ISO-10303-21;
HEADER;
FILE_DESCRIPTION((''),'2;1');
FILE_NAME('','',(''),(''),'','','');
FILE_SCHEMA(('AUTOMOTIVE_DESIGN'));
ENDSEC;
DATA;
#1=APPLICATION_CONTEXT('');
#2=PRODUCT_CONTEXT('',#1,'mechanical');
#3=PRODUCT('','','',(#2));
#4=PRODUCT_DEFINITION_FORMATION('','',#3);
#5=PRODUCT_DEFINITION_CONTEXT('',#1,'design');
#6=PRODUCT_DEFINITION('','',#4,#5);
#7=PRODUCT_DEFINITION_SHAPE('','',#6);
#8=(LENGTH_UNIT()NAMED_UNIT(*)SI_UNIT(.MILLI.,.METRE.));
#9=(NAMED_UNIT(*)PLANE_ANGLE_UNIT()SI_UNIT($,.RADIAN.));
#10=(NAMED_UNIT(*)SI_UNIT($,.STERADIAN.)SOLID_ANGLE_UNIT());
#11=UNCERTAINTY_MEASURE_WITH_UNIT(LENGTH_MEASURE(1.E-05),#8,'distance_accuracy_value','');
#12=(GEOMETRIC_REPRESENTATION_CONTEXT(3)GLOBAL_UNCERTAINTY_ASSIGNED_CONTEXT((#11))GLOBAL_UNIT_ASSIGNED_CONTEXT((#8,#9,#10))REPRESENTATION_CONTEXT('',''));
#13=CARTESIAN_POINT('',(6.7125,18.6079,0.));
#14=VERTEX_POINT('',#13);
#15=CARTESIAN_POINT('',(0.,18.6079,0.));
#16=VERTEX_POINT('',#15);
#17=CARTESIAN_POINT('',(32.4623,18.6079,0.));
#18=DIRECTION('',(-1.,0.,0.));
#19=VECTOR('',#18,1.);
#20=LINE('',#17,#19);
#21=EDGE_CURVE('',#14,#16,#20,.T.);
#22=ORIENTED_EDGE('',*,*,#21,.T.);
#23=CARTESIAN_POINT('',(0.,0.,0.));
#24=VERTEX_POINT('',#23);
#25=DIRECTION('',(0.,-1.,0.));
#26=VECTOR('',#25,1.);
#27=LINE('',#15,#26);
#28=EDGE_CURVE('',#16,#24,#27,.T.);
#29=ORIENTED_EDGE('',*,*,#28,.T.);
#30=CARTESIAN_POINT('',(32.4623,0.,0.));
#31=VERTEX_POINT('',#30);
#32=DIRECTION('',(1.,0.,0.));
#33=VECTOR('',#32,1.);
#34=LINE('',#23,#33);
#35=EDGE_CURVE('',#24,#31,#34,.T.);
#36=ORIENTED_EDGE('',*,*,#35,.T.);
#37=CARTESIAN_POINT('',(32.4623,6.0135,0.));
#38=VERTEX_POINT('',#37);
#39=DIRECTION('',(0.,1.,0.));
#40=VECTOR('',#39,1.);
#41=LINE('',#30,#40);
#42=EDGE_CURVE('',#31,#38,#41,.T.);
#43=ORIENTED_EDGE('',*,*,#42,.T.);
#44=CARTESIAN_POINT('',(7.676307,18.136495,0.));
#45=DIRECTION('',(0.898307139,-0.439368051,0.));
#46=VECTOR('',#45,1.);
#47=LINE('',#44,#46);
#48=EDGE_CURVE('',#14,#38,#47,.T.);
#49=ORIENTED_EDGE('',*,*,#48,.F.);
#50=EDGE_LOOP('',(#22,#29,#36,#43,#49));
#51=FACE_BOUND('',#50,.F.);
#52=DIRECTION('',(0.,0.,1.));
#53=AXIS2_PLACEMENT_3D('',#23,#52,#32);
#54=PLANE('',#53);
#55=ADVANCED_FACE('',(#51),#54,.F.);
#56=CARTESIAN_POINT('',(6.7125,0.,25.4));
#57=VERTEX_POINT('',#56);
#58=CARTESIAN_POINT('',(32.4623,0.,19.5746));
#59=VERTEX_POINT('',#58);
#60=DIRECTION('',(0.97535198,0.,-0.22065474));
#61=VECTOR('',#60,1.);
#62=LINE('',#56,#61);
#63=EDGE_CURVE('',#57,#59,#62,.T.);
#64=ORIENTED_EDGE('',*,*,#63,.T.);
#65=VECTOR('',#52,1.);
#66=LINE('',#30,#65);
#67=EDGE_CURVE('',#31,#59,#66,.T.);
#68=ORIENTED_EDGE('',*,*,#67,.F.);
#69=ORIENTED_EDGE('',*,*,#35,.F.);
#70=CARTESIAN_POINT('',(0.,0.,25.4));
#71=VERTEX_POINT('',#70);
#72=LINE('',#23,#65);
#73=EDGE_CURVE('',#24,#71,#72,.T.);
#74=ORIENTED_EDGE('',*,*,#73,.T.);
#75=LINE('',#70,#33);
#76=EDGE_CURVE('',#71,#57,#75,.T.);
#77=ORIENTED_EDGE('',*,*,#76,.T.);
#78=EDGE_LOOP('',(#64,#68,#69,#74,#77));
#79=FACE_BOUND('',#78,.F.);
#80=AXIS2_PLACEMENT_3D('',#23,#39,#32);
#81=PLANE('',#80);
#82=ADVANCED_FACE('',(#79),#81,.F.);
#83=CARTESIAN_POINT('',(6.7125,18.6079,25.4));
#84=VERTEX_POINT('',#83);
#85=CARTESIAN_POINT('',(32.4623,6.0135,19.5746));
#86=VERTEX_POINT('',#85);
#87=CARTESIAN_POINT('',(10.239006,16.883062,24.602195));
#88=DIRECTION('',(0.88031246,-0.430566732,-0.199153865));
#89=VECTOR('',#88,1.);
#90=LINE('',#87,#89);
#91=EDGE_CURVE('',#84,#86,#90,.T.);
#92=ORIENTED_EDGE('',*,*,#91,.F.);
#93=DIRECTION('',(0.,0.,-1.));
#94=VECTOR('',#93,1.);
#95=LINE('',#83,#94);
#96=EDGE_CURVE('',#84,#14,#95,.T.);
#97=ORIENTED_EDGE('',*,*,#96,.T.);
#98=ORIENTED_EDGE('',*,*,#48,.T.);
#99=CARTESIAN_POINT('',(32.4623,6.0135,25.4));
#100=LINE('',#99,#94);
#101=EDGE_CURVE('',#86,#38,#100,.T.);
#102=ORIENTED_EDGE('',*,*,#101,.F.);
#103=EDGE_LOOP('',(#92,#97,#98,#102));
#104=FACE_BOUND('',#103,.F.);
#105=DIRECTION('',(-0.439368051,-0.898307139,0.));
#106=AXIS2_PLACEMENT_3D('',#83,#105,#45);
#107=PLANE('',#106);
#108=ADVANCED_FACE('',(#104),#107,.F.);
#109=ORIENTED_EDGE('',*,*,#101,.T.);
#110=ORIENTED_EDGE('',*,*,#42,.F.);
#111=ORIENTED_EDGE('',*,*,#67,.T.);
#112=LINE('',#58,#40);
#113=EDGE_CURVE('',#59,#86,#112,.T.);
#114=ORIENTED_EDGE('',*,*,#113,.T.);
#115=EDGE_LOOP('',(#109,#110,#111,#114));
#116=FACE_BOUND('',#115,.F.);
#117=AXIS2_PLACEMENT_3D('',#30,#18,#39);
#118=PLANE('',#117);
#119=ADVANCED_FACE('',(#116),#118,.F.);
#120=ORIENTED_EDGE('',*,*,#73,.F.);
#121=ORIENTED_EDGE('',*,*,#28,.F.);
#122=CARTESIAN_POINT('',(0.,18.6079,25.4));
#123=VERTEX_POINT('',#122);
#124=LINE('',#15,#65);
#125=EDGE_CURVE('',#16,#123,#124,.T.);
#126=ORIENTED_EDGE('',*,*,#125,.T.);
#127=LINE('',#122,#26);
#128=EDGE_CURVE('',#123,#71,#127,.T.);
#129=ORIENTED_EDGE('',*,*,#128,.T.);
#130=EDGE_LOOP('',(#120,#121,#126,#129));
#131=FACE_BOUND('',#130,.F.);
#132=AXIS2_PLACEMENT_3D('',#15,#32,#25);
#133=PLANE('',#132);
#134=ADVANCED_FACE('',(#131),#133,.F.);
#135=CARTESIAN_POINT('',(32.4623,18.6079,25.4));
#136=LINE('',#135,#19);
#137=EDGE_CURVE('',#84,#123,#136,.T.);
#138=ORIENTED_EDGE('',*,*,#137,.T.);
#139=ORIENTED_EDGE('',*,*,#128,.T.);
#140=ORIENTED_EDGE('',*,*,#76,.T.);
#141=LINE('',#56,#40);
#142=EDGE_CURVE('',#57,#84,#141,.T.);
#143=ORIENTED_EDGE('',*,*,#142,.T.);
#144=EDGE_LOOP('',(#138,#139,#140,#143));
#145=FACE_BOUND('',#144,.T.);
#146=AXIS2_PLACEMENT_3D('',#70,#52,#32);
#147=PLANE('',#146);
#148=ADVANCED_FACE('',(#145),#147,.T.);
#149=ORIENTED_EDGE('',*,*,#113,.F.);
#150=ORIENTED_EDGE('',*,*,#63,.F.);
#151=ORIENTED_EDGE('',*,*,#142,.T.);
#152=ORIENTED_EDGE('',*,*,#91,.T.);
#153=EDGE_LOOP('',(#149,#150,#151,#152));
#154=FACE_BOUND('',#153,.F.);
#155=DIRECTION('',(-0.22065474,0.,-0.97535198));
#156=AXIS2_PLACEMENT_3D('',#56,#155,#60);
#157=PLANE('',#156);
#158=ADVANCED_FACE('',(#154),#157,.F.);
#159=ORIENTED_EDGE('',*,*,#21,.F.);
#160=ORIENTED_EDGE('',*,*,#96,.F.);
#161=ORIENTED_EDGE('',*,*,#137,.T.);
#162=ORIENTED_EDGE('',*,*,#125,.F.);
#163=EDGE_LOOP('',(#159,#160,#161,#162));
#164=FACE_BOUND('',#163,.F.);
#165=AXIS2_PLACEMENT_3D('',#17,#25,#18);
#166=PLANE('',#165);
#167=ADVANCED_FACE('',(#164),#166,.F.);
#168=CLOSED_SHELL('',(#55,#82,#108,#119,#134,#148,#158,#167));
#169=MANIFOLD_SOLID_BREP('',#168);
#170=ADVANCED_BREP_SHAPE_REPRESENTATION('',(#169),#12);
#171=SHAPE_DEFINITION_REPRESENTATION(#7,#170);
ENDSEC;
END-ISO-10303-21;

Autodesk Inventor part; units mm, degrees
ref_plane "YZ Plane" through (0, 0, 0) normal (1, 0, 0) x (0, 1, 0)
ref_plane "XZ Plane" through (0, 0, 0) normal (0, 1, 0) x (-1, 0, 0)
ref_plane "XY Plane" through (0, 0, 0) normal (0, 0, 1) x (1, 0, 0)
sketch "Sketch1" plane through (0, 0, 0) normal (0, 0, 1) x (1, 0, 0)
  line L0 (0, 0) -> (32.4623, 0)
  line L1 (32.4623, 0) -> (32.4623, 18.6079)
  line L2 (32.4623, 18.6079) -> (0, 18.6079)
  line L3 (0, 18.6079) -> (0, 0)
extrude "Extrusion1" add sketch "Sketch1" along normal blind 25.4
sketch "Sketch2" plane through (0, 0, 25.4) normal (0, 0, 1) x (1, 0, 0)
  line L0 (32.4623, 0) -> (32.4623, 18.6079) projected
  line L1 (32.4623, 18.6079) -> (0, 18.6079) projected
  line L2 (6.7125, 18.6079) -> (32.4623, 6.0135)
extrude "Extrusion2" cut sketch "Sketch2" against normal through all
sketch "Sketch3" plane through (0, 0, 0) normal (0, -1, 0) x (1, 0, 0)
  line L0 (32.4623, 0) -> (32.4623, 25.4) projected
  line L1 (0, 25.4) -> (32.4623, 25.4) projected
  line L2 (6.7125, 25.4) -> (6.7125, 0) projected
  line L3 (6.7125, 25.4) -> (32.4623, 19.5746)
extrude "Extrusion3" cut sketch "Sketch3" against normal through all
properties part number "Work Planes"
